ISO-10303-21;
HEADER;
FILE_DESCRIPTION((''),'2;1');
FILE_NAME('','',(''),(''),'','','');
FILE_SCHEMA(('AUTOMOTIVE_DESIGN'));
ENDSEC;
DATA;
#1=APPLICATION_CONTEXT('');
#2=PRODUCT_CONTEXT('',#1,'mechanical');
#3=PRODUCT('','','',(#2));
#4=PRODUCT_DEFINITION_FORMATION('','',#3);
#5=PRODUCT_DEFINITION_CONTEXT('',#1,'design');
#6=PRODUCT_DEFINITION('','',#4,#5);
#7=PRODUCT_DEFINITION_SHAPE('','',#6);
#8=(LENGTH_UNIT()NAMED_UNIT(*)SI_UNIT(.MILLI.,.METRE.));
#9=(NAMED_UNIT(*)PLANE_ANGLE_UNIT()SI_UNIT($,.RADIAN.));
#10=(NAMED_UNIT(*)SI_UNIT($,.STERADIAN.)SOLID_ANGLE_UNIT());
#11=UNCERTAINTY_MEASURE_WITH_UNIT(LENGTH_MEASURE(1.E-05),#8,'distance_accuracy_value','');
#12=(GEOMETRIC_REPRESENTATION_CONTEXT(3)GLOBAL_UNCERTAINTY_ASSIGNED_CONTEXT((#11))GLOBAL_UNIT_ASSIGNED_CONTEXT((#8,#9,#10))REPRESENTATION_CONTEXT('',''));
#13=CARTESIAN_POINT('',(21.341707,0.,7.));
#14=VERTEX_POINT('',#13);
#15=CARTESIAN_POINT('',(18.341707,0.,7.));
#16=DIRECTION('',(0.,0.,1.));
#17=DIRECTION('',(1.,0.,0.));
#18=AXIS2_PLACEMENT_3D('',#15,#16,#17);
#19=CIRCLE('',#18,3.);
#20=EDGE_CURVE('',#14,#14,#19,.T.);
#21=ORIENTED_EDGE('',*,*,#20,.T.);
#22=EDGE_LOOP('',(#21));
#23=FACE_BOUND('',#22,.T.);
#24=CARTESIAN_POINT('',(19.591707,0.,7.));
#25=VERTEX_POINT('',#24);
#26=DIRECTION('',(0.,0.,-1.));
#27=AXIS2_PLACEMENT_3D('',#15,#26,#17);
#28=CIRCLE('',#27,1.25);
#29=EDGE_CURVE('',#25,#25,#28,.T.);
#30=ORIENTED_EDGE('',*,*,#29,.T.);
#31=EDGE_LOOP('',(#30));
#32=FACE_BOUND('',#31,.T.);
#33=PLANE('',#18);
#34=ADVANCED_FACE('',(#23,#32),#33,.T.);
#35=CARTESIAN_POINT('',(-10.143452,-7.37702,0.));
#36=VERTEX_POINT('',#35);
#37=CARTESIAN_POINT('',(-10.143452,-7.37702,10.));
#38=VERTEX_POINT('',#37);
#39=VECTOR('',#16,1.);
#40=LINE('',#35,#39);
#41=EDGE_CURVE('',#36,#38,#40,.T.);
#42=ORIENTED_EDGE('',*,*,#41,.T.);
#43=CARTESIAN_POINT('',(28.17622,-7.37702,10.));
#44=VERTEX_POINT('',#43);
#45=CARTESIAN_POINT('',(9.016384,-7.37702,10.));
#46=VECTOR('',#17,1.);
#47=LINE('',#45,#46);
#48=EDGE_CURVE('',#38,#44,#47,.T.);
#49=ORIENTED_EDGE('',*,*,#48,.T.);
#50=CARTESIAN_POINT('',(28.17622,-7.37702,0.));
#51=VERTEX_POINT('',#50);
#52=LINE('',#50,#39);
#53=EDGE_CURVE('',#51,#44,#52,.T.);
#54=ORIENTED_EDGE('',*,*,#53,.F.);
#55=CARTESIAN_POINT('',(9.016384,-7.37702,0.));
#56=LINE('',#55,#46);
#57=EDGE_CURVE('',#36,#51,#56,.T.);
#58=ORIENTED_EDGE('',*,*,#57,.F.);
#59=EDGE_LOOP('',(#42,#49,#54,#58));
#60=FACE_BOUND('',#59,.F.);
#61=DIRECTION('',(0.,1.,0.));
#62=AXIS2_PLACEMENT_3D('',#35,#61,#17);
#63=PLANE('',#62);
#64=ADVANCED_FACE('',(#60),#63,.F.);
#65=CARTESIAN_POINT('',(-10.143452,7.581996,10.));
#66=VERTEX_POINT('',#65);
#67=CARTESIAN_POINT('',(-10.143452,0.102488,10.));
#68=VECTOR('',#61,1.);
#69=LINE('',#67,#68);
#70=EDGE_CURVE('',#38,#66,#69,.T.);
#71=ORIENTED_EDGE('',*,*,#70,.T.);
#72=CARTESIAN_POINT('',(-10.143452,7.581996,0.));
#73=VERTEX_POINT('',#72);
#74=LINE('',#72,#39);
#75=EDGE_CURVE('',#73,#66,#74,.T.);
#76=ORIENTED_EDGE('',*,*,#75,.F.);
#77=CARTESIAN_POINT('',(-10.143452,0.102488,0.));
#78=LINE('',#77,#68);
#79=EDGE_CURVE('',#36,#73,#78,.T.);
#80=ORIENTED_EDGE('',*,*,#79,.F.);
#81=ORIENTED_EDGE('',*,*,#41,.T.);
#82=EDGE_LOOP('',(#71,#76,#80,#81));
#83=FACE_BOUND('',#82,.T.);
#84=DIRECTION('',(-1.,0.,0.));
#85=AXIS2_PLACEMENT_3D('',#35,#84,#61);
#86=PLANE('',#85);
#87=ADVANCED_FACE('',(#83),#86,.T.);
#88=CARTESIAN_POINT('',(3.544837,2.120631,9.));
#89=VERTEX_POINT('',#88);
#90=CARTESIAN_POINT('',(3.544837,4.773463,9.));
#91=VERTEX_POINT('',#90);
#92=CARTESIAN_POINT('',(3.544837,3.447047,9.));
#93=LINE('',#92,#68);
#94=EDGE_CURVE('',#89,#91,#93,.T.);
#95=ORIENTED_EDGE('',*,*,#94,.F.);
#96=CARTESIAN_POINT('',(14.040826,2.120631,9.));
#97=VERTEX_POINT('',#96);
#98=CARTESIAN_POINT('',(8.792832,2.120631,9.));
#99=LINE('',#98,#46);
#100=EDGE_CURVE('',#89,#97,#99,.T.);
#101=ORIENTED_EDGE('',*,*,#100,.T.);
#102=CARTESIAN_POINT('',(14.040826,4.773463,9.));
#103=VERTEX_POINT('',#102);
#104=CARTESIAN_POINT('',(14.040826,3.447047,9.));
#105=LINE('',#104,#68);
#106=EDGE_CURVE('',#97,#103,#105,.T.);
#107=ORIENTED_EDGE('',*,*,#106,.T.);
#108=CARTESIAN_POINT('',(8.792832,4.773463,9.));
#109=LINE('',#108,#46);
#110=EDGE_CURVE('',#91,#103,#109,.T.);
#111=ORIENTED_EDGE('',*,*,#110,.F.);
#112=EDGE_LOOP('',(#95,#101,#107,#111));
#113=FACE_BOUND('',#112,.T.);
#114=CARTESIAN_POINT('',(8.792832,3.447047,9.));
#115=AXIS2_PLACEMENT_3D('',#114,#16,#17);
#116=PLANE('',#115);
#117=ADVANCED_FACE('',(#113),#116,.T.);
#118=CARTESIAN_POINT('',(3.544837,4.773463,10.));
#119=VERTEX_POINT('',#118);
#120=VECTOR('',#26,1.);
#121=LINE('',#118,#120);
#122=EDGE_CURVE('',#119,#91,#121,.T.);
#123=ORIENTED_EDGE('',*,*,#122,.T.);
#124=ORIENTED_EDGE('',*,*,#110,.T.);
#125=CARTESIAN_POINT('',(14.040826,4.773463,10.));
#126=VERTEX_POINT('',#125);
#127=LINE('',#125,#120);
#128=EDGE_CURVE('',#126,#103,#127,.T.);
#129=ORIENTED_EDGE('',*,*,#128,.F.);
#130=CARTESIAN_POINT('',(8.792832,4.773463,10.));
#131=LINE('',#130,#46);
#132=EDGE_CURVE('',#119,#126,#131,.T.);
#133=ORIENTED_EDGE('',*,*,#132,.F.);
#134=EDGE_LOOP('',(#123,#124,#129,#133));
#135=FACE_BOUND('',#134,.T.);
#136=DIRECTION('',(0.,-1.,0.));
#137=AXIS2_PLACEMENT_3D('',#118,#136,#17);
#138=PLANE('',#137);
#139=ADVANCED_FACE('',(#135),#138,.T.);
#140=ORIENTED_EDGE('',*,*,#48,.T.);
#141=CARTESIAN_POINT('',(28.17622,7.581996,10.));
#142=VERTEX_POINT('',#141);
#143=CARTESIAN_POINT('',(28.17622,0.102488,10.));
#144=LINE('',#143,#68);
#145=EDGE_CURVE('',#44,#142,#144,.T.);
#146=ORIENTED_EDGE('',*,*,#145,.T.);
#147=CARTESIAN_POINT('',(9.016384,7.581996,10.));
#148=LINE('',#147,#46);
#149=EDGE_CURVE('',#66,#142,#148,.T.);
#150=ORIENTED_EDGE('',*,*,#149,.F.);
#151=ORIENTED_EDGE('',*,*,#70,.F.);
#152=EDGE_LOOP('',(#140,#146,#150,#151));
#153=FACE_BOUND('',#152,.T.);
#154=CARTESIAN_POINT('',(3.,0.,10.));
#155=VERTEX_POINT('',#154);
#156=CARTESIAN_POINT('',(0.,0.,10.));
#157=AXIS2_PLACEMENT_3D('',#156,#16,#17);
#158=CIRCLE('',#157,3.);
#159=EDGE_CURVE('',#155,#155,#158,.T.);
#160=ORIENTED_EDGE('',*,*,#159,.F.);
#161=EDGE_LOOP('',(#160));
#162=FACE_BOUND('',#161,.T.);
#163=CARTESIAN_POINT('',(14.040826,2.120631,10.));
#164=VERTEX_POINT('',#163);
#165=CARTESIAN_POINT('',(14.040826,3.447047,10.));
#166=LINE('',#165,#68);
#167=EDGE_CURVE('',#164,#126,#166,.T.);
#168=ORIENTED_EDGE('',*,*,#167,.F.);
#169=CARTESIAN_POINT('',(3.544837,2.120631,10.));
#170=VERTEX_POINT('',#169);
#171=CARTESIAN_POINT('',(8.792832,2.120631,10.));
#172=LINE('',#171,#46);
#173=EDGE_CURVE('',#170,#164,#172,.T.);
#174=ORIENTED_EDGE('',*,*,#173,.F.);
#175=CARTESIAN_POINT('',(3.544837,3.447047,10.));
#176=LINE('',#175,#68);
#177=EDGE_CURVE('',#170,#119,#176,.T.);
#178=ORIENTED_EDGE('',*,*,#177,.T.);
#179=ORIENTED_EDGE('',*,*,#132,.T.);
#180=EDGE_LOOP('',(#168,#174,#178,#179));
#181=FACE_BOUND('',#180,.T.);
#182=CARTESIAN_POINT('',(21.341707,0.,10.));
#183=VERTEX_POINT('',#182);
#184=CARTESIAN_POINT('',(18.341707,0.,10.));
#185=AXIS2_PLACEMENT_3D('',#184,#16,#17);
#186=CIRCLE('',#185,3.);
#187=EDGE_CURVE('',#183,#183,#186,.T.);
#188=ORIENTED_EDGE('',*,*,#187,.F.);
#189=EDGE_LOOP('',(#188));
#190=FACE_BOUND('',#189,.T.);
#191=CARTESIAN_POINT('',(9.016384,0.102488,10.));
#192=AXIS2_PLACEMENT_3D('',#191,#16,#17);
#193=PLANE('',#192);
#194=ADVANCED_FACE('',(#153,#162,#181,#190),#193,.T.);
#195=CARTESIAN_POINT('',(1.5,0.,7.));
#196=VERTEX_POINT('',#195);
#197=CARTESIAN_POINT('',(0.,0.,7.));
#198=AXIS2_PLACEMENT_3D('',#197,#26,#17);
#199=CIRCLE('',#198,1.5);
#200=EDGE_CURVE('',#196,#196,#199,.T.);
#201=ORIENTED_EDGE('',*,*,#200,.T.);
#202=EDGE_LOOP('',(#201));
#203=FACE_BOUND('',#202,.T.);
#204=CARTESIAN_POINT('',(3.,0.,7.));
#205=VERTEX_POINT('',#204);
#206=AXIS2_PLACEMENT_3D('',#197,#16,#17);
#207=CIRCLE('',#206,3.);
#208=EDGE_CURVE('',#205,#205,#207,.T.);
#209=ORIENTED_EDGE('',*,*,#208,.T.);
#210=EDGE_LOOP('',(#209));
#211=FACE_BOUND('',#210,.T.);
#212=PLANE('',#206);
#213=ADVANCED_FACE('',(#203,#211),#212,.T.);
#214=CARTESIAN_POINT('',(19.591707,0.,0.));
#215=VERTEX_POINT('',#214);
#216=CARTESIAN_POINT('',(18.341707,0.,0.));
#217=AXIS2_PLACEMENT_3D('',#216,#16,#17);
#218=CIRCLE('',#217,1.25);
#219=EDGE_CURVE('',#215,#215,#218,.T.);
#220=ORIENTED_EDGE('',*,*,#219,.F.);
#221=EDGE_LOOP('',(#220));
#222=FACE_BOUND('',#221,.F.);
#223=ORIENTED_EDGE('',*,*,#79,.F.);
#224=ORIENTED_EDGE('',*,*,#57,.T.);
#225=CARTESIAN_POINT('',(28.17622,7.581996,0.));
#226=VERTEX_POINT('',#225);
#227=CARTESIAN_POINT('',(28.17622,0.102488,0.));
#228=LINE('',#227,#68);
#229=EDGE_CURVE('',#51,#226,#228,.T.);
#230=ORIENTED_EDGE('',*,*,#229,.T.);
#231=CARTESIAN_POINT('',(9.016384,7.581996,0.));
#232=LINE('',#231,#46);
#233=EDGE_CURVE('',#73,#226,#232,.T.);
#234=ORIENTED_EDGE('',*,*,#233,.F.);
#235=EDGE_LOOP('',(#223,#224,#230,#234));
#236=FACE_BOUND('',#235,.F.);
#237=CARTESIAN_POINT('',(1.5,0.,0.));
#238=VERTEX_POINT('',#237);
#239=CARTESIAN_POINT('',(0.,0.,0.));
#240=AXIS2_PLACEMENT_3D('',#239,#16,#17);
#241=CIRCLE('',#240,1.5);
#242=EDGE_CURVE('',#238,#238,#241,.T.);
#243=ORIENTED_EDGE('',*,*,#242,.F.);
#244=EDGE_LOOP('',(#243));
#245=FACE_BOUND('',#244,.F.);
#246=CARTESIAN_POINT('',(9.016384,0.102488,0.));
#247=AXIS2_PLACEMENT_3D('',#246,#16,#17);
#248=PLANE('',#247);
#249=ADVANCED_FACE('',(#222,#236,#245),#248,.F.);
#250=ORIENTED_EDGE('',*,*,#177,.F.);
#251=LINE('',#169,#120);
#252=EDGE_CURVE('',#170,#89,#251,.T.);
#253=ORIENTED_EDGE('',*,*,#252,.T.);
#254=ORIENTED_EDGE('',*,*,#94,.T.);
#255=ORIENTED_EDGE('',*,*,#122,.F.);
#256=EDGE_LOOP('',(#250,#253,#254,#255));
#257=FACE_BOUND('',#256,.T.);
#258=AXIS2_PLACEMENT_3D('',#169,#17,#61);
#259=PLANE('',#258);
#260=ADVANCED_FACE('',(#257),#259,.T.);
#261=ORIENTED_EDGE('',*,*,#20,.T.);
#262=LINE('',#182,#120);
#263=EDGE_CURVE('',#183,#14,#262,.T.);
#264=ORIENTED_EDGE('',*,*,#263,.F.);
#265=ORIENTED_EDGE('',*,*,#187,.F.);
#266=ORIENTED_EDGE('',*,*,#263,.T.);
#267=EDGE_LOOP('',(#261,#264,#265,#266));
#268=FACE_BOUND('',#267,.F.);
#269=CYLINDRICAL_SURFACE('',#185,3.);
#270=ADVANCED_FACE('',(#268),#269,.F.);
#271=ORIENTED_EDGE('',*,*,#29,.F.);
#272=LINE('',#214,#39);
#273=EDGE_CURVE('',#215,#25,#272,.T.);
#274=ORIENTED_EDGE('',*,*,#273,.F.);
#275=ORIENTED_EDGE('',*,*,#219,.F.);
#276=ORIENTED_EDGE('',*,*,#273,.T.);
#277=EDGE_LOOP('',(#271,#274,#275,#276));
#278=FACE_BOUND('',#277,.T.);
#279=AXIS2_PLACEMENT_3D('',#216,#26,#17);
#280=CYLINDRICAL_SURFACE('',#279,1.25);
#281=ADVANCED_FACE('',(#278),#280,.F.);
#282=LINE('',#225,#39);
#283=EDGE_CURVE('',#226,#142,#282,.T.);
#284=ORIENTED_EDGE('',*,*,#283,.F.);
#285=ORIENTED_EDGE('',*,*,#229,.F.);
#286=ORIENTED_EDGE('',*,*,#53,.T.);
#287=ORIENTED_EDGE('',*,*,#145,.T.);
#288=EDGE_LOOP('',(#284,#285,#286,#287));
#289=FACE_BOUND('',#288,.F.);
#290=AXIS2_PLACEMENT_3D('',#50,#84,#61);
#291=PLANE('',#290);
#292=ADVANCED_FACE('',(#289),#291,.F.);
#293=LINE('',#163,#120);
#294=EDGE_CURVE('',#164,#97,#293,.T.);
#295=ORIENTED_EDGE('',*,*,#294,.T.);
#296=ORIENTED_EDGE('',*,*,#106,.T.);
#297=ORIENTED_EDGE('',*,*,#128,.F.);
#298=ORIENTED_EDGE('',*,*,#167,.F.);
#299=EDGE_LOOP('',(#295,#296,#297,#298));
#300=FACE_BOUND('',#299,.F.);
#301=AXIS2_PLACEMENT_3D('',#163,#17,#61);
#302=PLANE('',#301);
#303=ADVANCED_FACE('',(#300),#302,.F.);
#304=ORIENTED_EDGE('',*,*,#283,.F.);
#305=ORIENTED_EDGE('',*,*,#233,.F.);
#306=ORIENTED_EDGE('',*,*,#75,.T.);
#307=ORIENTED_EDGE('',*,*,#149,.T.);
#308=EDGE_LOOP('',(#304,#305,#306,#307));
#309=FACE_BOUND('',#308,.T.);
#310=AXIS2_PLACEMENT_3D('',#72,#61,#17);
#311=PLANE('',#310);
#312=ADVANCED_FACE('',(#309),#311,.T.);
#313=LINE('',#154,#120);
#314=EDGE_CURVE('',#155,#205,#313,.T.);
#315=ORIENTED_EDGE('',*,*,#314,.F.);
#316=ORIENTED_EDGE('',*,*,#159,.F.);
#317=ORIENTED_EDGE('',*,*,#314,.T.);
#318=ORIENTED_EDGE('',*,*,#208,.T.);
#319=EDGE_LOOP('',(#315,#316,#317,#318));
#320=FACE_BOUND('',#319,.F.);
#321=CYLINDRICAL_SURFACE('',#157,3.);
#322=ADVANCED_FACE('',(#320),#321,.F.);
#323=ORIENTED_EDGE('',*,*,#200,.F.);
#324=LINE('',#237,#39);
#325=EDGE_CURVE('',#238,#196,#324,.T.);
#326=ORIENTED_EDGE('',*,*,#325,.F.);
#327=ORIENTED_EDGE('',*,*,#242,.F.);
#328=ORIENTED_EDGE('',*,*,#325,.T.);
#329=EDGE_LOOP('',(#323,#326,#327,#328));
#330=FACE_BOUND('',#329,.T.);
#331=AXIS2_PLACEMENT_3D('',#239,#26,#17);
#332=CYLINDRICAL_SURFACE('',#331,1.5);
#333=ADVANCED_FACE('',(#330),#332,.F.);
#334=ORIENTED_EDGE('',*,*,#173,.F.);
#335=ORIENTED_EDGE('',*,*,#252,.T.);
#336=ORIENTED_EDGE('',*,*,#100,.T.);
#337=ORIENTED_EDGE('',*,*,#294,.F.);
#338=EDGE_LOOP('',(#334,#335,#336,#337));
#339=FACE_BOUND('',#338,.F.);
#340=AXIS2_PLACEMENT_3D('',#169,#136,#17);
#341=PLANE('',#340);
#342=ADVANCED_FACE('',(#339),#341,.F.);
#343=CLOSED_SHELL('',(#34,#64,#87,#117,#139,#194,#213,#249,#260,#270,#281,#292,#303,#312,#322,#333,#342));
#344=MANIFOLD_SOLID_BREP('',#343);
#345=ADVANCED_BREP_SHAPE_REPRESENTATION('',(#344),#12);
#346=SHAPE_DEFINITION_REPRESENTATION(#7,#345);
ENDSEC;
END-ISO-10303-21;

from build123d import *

# Parameters (mm, degrees)
SKETCH001_W     = 38.319672
SKETCH001_H     = 14.959016
PAD_DEPTH       = 10
SKETCH_R        = 1.5
SKETCH_R_2      = 1.25
POCKET_DEPTH    = 10.001
SKETCH002_W     = 10.495989
SKETCH002_H     = 2.652832
POCKET001_DEPTH = 1
SKETCH003_R     = 3
POCKET002_DEPTH = 3


with BuildPart() as part:
    # Sketch001 → Pad (new body)
    with BuildSketch(Plane.XY):
        with Locations((9.016384, 0.102488)):
            Rectangle(SKETCH001_W, SKETCH001_H)
    extrude(amount=PAD_DEPTH)

    # Sketch → Pocket (cut, through all)
    with BuildSketch(Plane.XY):
        Circle(SKETCH_R)
        with Locations((18.341707, 0)):
            Circle(SKETCH_R_2)
    extrude(amount=POCKET_DEPTH, mode=Mode.SUBTRACT)

    # Sketch002 (on Face5 of Pocket) → Pocket001 (cut)
    with BuildSketch(Plane.XY.offset(10)):
        with Locations((8.792832, 3.447047)):
            Rectangle(SKETCH002_W, SKETCH002_H)
    extrude(amount=-POCKET001_DEPTH, mode=Mode.SUBTRACT)

    # Sketch003 (on Face5 of Pocket001) → Pocket002 (cut)
    with BuildSketch(Plane.XY.offset(10)):
        Circle(SKETCH003_R)
        with Locations((18.341707, 0)):
            Circle(SKETCH003_R)
    extrude(amount=-POCKET002_DEPTH, mode=Mode.SUBTRACT)


solid = part.part
